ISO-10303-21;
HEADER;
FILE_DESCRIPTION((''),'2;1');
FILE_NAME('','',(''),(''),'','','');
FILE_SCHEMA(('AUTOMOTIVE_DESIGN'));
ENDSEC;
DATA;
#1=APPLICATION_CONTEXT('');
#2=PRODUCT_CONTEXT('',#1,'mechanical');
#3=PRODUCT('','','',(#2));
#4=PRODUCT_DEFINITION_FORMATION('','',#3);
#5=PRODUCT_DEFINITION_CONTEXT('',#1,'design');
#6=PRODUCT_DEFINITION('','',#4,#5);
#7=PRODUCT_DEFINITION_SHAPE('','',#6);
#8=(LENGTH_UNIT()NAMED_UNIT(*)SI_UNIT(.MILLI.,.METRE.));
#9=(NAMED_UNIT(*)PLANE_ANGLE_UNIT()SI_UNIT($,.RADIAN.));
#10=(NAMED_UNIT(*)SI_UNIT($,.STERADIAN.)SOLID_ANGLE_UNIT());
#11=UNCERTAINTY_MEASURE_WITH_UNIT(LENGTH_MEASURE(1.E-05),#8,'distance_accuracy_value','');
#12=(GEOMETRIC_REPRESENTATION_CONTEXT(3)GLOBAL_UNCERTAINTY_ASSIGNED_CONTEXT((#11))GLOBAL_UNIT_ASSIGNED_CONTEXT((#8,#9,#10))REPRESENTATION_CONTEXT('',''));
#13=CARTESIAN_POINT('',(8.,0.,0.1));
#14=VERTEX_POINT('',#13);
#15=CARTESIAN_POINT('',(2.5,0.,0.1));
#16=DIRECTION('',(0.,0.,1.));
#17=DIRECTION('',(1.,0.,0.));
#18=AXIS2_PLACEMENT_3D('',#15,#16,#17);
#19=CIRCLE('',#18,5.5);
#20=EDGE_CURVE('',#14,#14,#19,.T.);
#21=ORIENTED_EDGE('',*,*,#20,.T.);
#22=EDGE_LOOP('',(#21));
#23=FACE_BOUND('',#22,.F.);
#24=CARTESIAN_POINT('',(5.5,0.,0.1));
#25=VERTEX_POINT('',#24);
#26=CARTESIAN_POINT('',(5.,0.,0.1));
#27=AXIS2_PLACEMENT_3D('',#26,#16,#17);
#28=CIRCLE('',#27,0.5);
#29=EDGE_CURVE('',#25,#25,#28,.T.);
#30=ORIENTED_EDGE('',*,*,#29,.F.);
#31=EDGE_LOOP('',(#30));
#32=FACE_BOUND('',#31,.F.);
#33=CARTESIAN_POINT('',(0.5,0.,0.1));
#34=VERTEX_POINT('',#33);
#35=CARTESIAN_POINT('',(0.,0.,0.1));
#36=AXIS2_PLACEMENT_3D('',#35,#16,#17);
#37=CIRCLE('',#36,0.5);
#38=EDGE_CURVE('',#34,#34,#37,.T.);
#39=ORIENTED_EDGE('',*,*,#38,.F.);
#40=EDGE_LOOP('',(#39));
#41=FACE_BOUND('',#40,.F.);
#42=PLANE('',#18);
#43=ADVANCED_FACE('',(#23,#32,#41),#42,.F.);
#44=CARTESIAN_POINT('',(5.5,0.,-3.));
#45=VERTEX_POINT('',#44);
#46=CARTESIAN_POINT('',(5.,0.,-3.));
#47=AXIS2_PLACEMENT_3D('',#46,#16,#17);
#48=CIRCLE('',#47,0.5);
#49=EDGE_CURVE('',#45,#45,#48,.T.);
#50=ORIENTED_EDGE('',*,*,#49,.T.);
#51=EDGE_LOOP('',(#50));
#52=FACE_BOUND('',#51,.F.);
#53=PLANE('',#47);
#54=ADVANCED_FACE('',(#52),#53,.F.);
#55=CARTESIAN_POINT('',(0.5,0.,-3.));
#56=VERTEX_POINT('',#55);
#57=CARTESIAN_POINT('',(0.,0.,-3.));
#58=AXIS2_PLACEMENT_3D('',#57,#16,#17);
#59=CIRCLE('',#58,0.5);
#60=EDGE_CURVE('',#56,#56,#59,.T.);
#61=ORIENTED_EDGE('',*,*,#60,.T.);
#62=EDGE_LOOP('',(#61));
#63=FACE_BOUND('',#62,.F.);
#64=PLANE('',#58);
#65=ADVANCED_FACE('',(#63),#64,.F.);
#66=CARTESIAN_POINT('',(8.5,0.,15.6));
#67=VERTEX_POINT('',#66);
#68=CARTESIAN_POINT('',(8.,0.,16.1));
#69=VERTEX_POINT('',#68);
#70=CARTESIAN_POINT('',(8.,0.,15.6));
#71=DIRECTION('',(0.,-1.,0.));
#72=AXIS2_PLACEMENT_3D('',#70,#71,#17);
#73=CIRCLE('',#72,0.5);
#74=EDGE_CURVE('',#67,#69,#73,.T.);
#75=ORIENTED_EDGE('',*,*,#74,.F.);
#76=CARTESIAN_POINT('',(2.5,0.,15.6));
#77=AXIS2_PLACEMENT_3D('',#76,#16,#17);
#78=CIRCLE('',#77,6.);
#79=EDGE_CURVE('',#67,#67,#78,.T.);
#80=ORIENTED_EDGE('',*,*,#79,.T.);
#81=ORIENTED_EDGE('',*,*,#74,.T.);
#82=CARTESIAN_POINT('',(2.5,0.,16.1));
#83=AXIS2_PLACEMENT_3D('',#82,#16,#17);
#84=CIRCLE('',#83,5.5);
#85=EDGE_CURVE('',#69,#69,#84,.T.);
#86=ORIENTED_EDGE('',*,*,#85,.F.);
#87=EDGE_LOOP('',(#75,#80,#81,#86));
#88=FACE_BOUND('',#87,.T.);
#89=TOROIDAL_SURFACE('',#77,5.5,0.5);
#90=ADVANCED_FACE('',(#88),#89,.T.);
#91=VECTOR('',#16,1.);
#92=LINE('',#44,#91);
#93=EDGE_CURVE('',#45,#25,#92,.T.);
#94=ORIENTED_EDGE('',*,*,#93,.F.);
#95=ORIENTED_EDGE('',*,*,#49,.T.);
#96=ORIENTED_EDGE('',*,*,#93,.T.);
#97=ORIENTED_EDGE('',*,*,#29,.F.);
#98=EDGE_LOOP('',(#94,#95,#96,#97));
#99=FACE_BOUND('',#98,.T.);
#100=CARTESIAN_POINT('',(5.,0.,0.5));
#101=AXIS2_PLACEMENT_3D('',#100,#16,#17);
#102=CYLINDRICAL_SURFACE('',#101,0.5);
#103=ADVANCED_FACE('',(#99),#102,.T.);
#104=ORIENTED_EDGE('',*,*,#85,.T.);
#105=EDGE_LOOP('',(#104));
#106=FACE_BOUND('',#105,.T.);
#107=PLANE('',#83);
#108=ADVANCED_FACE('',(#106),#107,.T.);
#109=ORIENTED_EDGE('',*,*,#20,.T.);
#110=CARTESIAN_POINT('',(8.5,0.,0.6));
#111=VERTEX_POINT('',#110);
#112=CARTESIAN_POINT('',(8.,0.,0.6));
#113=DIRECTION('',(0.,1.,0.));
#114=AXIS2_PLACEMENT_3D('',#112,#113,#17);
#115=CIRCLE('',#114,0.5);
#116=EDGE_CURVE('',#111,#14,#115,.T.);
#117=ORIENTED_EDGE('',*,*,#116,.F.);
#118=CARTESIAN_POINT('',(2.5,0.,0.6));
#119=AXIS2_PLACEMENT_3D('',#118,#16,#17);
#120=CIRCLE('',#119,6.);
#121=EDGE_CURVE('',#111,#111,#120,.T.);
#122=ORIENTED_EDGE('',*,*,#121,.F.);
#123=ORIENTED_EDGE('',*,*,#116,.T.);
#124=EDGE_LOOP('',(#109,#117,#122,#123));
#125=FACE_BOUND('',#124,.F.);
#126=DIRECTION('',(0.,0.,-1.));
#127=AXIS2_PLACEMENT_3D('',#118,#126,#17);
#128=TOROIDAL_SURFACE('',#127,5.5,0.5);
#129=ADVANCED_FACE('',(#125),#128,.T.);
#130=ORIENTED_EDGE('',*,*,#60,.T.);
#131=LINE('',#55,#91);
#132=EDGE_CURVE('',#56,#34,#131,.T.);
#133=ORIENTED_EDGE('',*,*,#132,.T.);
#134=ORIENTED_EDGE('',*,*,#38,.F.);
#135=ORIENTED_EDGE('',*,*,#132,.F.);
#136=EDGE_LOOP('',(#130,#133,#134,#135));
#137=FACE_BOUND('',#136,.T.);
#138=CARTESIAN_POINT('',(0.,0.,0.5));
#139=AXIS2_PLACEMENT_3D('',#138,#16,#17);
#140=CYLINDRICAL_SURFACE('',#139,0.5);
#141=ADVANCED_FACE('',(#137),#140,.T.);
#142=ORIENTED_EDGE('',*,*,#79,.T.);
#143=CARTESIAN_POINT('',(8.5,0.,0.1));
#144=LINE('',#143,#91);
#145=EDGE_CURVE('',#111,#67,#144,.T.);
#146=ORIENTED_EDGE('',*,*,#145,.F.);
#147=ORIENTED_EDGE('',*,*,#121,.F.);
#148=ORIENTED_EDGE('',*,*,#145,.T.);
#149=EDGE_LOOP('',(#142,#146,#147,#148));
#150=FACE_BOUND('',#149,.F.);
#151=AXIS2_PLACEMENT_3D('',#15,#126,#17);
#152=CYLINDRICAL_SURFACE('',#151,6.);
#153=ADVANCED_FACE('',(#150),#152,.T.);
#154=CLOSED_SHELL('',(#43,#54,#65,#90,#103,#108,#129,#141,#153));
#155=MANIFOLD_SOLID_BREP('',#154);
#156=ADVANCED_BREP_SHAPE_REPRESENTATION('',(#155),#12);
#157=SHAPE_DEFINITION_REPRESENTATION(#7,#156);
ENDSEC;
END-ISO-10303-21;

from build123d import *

# Parameters (mm, degrees)
SKETCH001_R       = 0.5
PAD001_DEPTH      = 8
PAD001_DEPTH_BACK = 3.5
SKETCH_R          = 6
PAD_DEPTH         = 16
FILLET_R          = 0.5


with BuildPart() as pad001:
    # Sketch001 → Pad001 (new body, two sides)
    with BuildSketch(Plane.XY.offset(0.5)) as pad001_sk:
        Circle(SKETCH001_R)
        with Locations((5, 0)):
            Circle(SKETCH001_R)
    extrude(amount=PAD001_DEPTH)
    extrude(pad001_sk.sketch, amount=-PAD001_DEPTH_BACK)


with BuildPart() as l_radial_d12_0mm_p5_00mm_fastron_11p:
    # Sketch → Pad (new body)
    with BuildSketch(Plane.XY.offset(0.1)):
        with Locations((2.5, 0)):
            Circle(SKETCH_R)
    extrude(amount=PAD_DEPTH)

    # Fillet
    fillet_edges = [l_radial_d12_0mm_p5_00mm_fastron_11p.edges().sort_by_distance(p)[0] for p in [
        (-3.5, 0, 0.1),
        (-3.5, 0, 16.1),
    ]]
    fillet(fillet_edges, radius=FILLET_R)

    # Fillet_mp_cp: union Pad001
    add(pad001.part)


solid = l_radial_d12_0mm_p5_00mm_fastron_11p.part
